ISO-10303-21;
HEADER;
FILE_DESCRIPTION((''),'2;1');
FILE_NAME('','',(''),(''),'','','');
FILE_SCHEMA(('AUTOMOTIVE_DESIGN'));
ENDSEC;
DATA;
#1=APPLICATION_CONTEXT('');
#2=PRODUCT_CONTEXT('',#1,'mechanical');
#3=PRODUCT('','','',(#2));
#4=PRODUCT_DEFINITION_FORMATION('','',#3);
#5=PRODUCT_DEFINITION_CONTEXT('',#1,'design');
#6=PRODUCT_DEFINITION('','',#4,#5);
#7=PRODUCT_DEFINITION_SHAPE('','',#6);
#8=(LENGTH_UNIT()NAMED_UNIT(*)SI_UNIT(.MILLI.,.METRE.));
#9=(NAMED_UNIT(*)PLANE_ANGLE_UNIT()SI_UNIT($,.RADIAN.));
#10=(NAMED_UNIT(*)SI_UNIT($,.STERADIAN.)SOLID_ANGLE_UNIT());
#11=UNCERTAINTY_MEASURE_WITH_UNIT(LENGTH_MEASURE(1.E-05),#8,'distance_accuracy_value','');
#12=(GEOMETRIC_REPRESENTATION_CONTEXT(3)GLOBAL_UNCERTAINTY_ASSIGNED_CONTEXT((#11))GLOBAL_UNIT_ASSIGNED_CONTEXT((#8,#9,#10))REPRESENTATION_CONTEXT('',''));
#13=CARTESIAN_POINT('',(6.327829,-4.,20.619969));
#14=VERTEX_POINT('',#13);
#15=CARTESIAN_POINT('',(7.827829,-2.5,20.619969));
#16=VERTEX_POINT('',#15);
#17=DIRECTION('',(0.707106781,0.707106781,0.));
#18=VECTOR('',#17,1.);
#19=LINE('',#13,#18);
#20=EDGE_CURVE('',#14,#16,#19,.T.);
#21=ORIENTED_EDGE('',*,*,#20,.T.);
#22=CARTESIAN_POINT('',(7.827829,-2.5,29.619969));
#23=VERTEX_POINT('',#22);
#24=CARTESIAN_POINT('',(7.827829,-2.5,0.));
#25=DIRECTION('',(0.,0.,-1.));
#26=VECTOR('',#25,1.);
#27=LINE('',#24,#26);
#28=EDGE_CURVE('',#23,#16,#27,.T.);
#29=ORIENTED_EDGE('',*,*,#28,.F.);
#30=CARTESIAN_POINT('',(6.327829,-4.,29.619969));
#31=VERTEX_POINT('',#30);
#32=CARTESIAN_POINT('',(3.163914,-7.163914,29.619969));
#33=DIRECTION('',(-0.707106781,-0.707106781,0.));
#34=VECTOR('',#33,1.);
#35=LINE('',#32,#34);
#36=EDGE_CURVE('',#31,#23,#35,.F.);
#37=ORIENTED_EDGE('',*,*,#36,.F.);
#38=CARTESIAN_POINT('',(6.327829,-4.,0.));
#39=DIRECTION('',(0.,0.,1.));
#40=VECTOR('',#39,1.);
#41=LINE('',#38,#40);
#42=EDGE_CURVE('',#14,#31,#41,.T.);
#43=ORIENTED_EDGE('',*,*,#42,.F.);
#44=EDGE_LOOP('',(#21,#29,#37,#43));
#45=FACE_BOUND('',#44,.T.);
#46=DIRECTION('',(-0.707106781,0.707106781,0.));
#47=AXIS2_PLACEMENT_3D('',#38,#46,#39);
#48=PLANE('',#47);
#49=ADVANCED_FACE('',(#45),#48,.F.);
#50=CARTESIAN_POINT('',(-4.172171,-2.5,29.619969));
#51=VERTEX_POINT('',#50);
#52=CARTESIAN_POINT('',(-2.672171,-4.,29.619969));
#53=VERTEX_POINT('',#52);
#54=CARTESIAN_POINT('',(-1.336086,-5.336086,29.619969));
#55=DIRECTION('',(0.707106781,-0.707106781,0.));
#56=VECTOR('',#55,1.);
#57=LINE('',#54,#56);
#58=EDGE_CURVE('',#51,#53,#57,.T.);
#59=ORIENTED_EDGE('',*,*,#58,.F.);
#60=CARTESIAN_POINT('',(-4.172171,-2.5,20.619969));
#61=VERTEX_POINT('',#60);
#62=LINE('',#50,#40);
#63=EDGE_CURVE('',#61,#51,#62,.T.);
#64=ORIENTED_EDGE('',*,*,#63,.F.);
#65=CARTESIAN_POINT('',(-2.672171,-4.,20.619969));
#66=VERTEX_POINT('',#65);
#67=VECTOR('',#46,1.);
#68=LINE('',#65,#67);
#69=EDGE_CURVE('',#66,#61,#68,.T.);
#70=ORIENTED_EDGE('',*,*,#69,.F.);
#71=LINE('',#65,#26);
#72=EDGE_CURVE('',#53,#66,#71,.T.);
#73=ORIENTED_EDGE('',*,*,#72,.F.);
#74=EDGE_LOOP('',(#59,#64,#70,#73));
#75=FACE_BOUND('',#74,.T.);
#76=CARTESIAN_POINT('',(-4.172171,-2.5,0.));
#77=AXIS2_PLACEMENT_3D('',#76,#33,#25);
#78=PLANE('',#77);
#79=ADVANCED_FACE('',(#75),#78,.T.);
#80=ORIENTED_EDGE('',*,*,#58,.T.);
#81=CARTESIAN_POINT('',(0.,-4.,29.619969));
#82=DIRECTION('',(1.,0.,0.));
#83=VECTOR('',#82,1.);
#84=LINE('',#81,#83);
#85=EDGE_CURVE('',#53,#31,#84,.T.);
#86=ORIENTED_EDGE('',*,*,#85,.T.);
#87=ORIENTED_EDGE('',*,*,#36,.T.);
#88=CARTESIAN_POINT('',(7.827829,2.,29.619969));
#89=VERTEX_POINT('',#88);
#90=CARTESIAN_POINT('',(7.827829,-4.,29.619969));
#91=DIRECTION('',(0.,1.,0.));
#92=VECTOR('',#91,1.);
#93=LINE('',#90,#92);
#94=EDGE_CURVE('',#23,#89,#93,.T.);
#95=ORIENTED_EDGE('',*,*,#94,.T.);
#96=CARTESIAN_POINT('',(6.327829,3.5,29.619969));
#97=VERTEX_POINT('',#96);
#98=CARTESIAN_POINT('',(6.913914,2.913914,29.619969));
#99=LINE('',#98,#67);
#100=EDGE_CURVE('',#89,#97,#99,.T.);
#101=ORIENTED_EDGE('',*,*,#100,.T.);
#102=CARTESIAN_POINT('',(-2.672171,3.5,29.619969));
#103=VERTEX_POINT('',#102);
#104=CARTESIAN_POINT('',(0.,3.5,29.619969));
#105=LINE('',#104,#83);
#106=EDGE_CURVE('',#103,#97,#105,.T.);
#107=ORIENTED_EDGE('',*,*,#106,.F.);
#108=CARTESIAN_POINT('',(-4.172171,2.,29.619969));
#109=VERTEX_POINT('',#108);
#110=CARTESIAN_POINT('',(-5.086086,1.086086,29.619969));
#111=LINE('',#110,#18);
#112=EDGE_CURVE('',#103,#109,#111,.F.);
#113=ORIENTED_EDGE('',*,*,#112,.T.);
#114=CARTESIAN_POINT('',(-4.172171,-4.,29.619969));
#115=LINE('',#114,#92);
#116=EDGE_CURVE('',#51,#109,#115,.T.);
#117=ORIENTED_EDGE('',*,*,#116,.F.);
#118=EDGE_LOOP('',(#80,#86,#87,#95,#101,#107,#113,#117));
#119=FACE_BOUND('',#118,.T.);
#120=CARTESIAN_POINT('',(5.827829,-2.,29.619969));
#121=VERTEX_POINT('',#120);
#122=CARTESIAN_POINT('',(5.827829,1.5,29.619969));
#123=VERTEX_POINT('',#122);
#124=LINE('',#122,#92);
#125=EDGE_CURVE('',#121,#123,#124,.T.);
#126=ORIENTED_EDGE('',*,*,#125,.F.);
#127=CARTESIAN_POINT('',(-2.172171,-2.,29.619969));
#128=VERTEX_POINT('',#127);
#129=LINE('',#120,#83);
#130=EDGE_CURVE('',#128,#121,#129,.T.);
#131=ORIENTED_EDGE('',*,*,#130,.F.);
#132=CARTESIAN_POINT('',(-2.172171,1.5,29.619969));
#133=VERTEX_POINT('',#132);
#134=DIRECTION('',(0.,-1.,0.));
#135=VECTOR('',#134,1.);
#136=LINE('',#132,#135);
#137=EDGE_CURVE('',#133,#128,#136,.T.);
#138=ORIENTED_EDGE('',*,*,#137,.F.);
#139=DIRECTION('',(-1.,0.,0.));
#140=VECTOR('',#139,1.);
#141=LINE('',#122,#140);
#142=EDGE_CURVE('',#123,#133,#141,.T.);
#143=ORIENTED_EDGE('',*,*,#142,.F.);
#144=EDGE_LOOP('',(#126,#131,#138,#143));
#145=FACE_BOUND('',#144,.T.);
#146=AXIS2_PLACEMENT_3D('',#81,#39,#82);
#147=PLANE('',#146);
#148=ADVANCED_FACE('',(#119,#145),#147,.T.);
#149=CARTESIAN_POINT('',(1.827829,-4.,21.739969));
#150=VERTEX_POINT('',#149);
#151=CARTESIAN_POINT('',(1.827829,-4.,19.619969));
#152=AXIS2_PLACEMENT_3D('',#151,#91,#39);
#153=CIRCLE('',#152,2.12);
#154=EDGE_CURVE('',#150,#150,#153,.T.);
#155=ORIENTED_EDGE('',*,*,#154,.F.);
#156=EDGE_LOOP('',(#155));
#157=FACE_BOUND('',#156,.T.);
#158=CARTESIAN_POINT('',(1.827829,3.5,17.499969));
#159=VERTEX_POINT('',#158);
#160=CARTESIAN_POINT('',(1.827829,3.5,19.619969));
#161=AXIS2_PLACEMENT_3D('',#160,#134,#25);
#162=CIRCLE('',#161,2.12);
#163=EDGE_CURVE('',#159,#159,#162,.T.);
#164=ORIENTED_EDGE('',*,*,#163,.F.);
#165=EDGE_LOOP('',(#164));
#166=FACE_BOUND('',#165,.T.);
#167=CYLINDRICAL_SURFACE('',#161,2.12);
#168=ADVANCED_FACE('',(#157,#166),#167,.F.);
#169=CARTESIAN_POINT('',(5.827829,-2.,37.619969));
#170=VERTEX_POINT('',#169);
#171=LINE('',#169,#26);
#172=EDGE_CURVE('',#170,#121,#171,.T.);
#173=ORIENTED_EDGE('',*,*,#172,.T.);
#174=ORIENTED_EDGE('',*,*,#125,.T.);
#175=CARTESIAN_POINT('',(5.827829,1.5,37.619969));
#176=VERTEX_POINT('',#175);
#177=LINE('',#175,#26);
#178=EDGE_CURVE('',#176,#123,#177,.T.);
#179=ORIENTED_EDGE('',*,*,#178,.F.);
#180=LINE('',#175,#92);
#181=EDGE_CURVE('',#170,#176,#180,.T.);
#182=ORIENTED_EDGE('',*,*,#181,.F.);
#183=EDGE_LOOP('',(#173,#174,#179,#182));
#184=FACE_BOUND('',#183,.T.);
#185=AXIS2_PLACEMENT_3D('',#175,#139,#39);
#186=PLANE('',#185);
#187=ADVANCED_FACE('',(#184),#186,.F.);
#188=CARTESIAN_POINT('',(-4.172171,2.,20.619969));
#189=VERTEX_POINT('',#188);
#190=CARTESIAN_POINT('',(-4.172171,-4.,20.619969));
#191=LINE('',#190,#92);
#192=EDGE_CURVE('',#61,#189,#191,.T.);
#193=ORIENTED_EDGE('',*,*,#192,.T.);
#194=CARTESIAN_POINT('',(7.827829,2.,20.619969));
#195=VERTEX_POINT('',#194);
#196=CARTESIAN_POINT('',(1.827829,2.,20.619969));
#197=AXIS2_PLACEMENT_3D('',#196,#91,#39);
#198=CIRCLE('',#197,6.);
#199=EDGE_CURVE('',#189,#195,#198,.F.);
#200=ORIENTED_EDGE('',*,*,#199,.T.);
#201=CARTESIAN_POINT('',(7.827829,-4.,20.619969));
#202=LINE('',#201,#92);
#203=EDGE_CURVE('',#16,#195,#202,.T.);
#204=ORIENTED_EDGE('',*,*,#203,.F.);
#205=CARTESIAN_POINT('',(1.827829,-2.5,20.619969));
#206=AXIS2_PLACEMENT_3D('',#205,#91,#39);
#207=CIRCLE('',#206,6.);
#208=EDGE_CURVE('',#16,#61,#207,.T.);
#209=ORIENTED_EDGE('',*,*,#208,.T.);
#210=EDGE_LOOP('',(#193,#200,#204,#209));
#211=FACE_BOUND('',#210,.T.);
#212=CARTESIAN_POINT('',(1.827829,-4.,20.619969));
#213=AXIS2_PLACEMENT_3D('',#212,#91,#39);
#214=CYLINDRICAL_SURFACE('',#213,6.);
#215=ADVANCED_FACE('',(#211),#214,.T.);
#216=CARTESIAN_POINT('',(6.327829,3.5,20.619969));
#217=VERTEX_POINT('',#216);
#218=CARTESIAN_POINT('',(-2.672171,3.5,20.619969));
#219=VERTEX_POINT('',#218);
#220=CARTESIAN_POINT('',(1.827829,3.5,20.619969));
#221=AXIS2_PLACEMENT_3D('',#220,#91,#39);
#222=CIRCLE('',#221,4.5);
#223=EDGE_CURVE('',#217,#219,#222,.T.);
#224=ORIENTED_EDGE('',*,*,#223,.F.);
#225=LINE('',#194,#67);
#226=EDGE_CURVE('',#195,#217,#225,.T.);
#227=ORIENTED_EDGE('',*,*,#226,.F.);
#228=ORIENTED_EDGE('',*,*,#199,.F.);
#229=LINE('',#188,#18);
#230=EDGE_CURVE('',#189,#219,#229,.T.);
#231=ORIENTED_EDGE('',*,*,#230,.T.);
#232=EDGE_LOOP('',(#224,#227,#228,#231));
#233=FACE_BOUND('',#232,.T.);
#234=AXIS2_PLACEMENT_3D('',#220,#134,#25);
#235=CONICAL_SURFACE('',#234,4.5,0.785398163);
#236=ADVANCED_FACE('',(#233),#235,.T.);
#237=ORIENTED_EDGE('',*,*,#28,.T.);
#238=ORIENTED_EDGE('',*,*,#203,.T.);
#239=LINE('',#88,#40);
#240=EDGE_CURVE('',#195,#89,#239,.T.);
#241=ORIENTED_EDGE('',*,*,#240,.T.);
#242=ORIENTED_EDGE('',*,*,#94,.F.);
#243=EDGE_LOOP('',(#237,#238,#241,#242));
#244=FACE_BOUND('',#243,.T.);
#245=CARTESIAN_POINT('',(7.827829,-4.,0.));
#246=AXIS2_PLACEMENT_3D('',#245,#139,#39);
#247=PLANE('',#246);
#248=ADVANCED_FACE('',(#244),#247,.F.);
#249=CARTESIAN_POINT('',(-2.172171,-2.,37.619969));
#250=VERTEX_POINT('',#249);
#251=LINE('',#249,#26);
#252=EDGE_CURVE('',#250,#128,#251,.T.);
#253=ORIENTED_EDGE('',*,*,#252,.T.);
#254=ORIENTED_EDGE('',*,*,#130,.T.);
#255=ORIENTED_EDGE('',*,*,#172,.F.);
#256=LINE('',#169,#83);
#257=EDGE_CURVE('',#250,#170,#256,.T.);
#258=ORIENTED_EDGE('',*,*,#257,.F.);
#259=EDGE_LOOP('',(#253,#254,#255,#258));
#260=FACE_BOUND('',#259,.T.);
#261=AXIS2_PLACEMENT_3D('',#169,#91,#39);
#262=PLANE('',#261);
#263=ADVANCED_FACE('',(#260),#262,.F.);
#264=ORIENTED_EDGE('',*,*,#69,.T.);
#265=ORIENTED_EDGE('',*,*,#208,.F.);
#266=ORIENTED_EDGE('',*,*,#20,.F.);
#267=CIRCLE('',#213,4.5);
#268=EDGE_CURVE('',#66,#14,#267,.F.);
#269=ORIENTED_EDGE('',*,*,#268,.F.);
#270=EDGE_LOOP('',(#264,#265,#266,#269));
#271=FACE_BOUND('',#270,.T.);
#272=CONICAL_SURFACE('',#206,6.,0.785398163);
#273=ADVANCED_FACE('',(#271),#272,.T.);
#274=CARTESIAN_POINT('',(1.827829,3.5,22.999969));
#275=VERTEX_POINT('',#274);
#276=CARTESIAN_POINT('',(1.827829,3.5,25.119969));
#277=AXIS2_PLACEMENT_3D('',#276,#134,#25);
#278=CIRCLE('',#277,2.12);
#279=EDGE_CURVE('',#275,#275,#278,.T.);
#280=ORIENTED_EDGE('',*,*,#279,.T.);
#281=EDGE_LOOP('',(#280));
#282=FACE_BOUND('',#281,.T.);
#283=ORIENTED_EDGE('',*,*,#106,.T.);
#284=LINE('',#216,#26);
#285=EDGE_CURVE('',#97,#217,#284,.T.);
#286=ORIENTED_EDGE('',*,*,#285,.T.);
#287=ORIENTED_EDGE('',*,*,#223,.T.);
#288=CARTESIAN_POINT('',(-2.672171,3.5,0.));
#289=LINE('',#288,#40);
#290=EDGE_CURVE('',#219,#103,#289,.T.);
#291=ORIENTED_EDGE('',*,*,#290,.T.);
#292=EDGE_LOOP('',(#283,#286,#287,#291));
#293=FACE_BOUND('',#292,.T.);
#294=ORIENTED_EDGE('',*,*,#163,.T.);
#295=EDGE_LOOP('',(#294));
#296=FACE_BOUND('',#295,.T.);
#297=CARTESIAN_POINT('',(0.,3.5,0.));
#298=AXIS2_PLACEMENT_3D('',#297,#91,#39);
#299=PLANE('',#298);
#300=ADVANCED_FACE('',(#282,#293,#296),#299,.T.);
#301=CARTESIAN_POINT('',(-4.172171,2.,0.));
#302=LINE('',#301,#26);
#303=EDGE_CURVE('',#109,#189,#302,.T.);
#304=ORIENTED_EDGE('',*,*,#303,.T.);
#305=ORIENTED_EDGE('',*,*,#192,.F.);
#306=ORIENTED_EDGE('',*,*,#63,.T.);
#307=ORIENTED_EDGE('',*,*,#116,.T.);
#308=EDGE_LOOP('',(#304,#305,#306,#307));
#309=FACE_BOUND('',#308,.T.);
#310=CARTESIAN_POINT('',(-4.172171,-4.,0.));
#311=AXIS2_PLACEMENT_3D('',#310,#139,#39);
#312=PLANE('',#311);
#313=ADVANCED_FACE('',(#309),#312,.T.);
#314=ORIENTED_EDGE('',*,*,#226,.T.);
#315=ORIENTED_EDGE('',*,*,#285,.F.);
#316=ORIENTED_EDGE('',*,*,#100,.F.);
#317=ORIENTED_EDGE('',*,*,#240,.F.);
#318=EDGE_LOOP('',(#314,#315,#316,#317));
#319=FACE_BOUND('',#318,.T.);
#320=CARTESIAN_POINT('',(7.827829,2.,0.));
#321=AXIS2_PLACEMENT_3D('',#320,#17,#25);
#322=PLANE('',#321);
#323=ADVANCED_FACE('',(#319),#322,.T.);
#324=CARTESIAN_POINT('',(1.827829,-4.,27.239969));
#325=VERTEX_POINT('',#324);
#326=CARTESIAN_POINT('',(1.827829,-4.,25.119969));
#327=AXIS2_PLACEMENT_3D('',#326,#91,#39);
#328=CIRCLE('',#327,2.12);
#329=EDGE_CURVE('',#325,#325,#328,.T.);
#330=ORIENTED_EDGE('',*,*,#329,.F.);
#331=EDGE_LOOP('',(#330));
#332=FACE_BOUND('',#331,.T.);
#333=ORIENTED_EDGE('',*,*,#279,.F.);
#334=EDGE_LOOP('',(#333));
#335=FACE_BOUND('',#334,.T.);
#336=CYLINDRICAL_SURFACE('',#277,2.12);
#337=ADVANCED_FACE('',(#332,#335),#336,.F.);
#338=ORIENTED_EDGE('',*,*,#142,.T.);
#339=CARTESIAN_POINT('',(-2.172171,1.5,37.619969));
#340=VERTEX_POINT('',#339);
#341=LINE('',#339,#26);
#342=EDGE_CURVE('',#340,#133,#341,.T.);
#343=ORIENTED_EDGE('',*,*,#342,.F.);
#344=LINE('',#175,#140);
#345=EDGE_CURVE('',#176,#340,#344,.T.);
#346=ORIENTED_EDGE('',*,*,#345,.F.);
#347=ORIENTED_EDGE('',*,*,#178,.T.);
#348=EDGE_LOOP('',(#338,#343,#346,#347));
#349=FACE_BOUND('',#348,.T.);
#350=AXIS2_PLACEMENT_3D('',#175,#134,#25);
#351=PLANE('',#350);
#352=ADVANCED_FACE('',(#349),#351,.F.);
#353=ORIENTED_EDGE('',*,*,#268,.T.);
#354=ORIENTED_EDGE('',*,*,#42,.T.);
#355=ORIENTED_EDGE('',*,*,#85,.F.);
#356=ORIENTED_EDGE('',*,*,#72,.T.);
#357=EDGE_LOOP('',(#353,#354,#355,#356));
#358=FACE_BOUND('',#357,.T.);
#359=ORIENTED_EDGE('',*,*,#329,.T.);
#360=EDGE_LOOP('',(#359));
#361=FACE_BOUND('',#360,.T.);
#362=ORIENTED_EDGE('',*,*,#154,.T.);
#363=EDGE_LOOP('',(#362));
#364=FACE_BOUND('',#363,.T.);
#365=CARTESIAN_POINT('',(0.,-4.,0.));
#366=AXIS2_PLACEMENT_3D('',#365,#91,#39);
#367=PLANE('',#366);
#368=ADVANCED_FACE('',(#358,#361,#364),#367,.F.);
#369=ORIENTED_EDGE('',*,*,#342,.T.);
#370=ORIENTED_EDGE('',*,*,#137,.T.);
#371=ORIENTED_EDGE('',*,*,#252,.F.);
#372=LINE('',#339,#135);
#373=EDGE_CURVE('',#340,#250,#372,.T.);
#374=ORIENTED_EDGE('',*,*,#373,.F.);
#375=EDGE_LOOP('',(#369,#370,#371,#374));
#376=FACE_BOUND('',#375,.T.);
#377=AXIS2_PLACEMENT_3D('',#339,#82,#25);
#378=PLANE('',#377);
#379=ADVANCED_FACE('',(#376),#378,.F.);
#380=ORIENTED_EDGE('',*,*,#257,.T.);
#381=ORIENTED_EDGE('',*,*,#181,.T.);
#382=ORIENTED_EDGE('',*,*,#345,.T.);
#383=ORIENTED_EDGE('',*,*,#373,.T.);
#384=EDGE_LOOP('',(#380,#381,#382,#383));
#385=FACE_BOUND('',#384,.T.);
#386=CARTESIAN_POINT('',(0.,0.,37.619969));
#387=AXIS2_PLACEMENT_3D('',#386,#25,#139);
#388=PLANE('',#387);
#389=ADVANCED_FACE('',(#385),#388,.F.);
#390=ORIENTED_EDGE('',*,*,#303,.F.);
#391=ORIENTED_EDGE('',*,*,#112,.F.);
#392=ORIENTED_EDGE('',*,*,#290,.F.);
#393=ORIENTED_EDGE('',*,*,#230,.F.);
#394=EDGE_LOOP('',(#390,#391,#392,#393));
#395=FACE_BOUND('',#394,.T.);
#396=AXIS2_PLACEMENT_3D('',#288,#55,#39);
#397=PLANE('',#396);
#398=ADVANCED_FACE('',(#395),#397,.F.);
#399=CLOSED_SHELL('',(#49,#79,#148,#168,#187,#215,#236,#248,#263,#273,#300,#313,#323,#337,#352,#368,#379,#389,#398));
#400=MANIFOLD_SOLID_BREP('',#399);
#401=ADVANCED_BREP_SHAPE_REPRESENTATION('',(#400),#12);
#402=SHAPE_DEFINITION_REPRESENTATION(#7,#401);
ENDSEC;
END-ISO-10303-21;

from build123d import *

# Parameters (mm, degrees)
BOSS_EXTRUDE9_DEPTH      = 3.5
BOSS_EXTRUDE9_DEPTH_BACK = 4
SKETCH16_W               = 8
SKETCH16_H               = 3.5
BOSS_EXTRUDE11_DEPTH     = 8
CHAMFER2_SIZE            = 1.5
CUT_EXTRUDE1_DEPTH       = 40.150823276
CUT_EXTRUDE1_DEPTH_BACK  = 40.150823276
SKETCH17_R               = 2.12


with BuildPart() as part:
    # Sketch14 → Boss-Extrude9 (new, two sides: drawn at the far end of the back side and taken through both)
    with BuildSketch(Plane(origin=(0, 0, 0), x_dir=(1, 0, 0), z_dir=(0, 1, 0)).offset(-BOSS_EXTRUDE9_DEPTH_BACK)):
        with BuildLine():
            Line((-4.172171186, -29.619968889), (7.827828814, -29.619968889))
            Line((7.827828814, -29.619968889), (7.827828814, -20.619968889))
            ThreePointArc((7.827828814, -20.619968889), (1.827828814, -14.619968889), (-4.172171186, -20.619968889))
            Line((-4.172171186, -20.619968889), (-4.172171186, -29.619968889))
        make_face()
    extrude(amount=BOSS_EXTRUDE9_DEPTH + BOSS_EXTRUDE9_DEPTH_BACK)

    # Sketch16 → Boss-Extrude11 (add)
    with BuildSketch(Plane.XY.offset(29.619968889)):
        with Locations((1.827828814, -0.25)):
            Rectangle(SKETCH16_W, SKETCH16_H)
    extrude(amount=BOSS_EXTRUDE11_DEPTH)

    # Chamfer2
    chamfer2_edges = [part.edges().sort_by_distance(p)[0] for p in [
        (1.827828814, -4, 14.619968889),
        (7.827828814, 3.5, 25.119968889),
        (1.827828814, 3.5, 14.619968889),
        (-4.172171186, -4, 25.119968889),
        (-4.172171186, 3.5, 25.119968889),
        (7.827828814, -4, 25.119968889),
    ]]
    chamfer(chamfer2_edges, length=CHAMFER2_SIZE)

    # Sketch17 → Cut-Extrude1 (cut, two sides: drawn at the far end of the back side and taken through both)
    with BuildSketch(Plane.XZ.offset(4).offset(-CUT_EXTRUDE1_DEPTH_BACK)):
        with Locations(Location((1.827828814, 25.119968889, 0), (0, 0, 270))):
            Circle(SKETCH17_R)
        with Locations(Location((1.827828814, 19.619968889, 0), (0, 0, 270))):
            Circle(SKETCH17_R)
    extrude(amount=CUT_EXTRUDE1_DEPTH + CUT_EXTRUDE1_DEPTH_BACK, mode=Mode.SUBTRACT)


solid = part.part
